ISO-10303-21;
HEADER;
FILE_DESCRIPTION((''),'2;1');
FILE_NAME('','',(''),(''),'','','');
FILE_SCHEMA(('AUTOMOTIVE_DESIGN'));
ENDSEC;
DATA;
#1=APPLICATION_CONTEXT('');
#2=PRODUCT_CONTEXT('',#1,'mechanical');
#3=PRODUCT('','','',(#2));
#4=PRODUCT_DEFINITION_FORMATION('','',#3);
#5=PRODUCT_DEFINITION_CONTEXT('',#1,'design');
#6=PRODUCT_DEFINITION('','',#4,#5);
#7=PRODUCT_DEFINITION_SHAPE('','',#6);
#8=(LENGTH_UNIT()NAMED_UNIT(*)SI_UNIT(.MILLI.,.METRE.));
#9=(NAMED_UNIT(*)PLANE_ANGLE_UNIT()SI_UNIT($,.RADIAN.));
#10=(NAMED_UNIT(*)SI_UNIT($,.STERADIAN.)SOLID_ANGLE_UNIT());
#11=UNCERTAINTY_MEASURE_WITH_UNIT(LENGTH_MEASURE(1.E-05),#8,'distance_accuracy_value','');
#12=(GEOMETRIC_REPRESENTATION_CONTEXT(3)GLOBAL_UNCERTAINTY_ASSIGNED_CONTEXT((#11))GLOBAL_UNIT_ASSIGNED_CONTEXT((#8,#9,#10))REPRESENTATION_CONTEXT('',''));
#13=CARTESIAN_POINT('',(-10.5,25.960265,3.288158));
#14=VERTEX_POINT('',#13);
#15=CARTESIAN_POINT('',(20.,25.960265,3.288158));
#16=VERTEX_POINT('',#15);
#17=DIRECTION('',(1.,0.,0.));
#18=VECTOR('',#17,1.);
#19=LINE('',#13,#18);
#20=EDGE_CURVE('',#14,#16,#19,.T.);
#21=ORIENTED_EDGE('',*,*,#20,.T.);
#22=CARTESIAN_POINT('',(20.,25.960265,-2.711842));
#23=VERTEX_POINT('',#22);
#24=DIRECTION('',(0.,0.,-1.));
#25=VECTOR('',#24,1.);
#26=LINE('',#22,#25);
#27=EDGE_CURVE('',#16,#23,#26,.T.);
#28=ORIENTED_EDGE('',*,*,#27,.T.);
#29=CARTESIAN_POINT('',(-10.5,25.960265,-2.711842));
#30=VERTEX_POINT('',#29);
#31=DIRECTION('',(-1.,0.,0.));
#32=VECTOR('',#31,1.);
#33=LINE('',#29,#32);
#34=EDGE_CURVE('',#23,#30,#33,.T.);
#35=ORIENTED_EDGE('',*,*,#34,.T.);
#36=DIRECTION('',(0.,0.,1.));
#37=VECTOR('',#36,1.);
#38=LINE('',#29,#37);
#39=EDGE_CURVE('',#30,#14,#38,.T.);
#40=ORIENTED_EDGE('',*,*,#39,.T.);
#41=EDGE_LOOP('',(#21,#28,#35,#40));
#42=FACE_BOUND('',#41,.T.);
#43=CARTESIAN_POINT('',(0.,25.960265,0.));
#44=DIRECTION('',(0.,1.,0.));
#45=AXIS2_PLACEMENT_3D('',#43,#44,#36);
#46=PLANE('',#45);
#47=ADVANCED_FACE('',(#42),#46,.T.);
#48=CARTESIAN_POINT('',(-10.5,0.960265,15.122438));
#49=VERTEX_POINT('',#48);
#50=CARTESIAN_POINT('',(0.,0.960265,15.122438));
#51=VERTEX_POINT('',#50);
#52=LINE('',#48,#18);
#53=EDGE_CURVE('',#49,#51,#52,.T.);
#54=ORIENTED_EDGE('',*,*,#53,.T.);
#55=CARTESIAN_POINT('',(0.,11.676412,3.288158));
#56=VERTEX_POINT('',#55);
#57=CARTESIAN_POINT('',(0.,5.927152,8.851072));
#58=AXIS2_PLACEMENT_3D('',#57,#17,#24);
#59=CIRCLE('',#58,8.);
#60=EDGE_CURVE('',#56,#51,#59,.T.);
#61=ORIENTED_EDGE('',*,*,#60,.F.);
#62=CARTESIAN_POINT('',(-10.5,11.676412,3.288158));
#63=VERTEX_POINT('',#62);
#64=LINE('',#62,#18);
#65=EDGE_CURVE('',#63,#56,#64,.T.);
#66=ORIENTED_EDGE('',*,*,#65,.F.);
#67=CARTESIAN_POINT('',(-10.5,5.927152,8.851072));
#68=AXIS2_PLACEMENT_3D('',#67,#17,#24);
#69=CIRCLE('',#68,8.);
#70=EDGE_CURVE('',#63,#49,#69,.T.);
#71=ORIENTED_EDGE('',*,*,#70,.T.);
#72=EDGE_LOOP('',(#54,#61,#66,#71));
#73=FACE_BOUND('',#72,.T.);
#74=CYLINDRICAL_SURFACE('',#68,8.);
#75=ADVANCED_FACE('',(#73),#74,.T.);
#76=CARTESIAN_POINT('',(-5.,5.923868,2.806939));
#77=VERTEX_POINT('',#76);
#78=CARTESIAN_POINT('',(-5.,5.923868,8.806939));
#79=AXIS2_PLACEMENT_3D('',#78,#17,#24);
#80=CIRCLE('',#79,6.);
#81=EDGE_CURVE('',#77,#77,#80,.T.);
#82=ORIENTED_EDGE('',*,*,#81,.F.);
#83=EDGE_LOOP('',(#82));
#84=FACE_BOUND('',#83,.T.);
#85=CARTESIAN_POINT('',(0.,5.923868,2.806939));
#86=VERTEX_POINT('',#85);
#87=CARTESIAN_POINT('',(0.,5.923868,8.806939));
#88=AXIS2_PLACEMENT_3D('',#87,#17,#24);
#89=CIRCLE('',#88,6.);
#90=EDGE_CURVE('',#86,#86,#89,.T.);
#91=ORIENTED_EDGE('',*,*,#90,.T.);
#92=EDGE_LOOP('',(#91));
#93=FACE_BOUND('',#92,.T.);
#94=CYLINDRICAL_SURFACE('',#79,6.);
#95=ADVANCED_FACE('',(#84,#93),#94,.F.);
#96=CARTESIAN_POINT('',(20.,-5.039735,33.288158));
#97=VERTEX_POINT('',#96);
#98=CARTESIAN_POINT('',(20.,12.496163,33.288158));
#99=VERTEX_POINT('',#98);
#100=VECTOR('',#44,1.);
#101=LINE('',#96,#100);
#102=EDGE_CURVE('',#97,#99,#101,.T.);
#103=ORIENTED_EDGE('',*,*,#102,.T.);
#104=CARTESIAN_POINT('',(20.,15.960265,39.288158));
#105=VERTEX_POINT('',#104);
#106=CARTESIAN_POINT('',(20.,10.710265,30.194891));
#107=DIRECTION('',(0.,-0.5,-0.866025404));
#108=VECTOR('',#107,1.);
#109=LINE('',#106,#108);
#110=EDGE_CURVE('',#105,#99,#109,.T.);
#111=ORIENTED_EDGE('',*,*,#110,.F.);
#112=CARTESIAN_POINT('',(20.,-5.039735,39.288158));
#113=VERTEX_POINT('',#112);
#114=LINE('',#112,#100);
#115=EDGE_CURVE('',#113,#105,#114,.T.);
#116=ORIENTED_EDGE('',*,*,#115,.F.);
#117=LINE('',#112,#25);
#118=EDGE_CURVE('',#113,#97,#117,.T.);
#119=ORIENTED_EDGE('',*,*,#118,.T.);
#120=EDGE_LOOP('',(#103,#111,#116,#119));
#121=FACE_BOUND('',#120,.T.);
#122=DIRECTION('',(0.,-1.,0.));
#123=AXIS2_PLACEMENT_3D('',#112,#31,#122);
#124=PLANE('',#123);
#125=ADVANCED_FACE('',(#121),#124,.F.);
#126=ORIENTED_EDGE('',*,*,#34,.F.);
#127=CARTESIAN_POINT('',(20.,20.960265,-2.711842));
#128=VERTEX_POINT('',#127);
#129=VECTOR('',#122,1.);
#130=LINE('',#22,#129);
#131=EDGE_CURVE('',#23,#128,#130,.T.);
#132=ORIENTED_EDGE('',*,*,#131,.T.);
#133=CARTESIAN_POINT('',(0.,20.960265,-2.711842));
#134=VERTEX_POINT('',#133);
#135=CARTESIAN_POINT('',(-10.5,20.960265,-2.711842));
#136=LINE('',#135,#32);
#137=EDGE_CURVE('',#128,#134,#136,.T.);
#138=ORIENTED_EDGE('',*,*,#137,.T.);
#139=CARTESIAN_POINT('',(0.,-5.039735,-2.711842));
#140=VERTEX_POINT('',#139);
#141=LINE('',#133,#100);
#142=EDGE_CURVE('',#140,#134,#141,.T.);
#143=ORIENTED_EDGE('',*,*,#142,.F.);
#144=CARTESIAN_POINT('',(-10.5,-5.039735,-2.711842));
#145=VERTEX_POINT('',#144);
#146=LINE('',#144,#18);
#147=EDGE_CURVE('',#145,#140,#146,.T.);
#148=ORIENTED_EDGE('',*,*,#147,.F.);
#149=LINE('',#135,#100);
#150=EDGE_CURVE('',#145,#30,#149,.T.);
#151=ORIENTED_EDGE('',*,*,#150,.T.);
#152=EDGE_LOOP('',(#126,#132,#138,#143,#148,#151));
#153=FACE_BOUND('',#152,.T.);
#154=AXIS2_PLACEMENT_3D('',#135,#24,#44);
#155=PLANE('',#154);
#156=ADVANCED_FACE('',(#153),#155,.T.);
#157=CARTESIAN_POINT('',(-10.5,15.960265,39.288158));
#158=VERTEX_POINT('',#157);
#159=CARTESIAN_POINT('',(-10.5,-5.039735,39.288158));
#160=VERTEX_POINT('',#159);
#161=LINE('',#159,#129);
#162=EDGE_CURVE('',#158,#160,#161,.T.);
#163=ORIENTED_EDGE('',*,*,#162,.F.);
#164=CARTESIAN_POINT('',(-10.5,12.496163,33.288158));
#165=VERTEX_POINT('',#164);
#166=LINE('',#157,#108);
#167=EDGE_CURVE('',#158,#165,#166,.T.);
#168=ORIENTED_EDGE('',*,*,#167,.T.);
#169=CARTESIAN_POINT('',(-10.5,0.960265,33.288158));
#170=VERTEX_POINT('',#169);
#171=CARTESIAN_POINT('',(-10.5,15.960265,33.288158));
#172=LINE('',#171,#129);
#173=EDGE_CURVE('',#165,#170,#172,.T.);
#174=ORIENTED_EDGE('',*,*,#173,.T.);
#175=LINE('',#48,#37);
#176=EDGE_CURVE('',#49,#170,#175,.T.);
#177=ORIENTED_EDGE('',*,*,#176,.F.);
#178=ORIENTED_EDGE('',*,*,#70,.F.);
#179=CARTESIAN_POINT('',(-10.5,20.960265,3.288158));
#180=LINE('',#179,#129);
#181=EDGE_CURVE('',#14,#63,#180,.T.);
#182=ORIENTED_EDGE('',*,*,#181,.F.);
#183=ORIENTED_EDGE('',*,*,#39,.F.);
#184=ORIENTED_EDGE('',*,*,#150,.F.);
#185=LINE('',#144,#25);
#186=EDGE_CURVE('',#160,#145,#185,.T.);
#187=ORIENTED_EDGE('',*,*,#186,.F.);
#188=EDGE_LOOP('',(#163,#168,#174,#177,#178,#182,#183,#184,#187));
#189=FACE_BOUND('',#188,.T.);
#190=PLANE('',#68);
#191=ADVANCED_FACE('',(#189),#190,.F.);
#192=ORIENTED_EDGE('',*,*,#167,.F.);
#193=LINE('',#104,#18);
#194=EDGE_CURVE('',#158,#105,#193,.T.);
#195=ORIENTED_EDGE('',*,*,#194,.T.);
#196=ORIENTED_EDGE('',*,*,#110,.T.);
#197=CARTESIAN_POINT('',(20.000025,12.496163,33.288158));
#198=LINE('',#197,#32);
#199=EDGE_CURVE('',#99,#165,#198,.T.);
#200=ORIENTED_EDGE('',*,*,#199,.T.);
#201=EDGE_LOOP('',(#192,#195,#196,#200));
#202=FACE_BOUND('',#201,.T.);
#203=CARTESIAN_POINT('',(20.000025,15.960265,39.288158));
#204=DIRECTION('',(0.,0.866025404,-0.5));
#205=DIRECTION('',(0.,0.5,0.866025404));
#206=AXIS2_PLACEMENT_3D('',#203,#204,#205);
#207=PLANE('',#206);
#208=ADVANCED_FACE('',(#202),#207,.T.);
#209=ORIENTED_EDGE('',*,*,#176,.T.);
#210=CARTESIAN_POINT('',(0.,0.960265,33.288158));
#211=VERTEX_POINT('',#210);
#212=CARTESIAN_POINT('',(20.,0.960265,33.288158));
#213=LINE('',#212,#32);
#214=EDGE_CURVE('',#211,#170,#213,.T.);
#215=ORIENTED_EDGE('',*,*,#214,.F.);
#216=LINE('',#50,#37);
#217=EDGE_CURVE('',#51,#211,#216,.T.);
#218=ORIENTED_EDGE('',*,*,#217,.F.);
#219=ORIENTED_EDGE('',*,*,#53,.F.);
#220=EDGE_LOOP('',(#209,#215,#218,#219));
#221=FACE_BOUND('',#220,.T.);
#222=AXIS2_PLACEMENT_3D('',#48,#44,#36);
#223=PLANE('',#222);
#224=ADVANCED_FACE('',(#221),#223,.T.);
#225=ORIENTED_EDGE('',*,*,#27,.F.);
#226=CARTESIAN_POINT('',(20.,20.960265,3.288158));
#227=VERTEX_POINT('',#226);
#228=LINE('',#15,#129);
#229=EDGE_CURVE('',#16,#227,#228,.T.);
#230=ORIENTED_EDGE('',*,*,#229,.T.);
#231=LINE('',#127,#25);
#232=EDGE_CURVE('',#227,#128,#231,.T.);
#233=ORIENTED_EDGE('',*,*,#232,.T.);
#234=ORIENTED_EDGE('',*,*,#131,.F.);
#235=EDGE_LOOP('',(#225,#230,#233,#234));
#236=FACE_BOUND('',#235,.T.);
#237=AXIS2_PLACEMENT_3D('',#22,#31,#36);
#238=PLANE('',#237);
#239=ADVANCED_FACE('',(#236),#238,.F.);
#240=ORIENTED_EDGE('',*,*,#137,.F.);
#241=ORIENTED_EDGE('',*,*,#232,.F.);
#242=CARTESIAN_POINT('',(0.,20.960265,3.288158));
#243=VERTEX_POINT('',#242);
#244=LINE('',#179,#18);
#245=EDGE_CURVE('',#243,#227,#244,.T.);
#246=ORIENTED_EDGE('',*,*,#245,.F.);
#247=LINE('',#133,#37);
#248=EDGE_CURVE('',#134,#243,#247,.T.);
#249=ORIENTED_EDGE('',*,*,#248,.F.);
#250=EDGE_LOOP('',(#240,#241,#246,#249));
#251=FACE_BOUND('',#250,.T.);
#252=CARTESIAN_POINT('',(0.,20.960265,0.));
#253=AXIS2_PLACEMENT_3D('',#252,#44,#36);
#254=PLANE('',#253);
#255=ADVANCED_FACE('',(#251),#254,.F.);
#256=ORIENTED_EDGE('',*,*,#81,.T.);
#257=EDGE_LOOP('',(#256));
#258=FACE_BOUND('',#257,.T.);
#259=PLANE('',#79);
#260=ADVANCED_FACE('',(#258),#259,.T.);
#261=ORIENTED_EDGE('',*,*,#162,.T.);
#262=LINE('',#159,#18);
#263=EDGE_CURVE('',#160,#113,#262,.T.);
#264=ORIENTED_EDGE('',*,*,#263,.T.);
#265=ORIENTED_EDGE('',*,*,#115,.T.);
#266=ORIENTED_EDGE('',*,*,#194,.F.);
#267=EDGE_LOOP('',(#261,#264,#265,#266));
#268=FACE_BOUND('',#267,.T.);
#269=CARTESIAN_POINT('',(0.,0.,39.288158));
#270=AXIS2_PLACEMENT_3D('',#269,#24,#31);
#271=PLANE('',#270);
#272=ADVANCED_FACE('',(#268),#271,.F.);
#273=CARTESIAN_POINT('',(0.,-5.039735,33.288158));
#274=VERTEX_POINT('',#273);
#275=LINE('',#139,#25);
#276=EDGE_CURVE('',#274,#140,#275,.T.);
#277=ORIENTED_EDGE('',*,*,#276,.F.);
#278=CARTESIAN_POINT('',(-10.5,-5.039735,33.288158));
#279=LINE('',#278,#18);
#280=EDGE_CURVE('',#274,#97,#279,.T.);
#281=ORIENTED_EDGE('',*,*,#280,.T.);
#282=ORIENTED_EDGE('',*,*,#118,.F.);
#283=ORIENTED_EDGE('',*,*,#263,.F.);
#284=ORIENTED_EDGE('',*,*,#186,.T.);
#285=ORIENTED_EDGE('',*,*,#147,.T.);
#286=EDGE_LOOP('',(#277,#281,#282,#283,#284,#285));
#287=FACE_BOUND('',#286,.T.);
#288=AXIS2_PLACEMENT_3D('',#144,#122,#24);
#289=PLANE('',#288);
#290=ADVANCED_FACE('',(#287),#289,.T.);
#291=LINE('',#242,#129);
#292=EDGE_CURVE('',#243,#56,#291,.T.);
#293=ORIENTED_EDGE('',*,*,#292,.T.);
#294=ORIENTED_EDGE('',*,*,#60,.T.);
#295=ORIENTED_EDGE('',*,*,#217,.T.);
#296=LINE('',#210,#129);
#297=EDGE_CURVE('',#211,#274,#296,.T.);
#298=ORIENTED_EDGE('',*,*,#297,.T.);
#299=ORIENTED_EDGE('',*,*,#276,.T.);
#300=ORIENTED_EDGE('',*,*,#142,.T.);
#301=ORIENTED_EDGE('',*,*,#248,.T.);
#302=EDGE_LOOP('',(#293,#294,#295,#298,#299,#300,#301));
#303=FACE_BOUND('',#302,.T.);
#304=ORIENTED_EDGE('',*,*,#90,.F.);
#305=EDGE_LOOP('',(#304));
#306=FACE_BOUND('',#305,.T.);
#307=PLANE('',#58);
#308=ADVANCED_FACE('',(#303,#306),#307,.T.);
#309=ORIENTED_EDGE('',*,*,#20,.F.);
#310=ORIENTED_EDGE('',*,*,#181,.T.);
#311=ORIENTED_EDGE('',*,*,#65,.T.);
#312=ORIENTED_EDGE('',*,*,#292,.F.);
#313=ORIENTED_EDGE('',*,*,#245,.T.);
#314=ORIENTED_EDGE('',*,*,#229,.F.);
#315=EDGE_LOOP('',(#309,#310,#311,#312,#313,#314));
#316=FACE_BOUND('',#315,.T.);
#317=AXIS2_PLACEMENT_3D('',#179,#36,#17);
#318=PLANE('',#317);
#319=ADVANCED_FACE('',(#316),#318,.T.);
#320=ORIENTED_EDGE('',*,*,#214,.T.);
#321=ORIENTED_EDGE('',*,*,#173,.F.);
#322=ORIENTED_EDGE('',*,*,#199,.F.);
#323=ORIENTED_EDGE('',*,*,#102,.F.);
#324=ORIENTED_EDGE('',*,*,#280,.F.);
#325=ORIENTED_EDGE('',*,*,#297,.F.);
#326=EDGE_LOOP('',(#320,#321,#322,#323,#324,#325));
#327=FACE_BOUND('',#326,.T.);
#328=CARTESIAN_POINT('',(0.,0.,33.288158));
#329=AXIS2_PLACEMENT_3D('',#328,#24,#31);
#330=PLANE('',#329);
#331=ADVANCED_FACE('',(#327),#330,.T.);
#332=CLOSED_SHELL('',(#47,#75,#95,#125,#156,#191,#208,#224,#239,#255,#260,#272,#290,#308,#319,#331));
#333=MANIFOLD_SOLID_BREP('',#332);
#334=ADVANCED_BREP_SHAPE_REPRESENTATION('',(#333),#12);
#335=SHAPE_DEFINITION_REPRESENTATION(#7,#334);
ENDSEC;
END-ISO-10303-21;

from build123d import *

# Parameters (mm, degrees)
BOSS_EXTRUDE1_DEPTH = 10.5
SKETCH4_W           = 30.5
SKETCH4_H           = 6
BOSS_EXTRUDE2_DEPTH = 5
SKETCH5_W           = 30.5
SKETCH5_H           = 6
BOSS_EXTRUDE3_DEPTH = 6
SKETCH6_R           = 6
CUT_EXTRUDE2_DEPTH  = 5
SKETCH11_W          = 30.5
SKETCH11_H          = 6
BOSS_EXTRUDE5_DEPTH = 15
CUT_EXTRUDE4_DEPTH  = 31.5


with BuildPart() as part:
    # Sketch2 → Boss-Extrude1 (new body)
    with BuildSketch(Plane(origin=(0, 0, 0), x_dir=(0, 0, -1), z_dir=(1, 0, 0))):
        with BuildLine():
            Line((2.711841856, 20.960264901), (-3.288158144, 20.960264901))
            Line((-3.288158144, 20.960264901), (-3.288158144, 11.676412171))
            ThreePointArc((-3.288158144, 11.676412171), (-14.220841983, 11.857208885), (-15.122437882, 0.960264901))
            Line((-15.122437882, 0.960264901), (-33.288158144, 0.960264901))
            Line((-33.288158144, 0.960264901), (-33.288158144, -5.039735099))
            Line((-33.288158144, -5.039735099), (2.711841856, -5.039735099))
            Line((2.711841856, -5.039735099), (2.711841856, 20.960264901))
        make_face()
    extrude(amount=-BOSS_EXTRUDE1_DEPTH)

    # Sketch4 → Boss-Extrude2 (add)
    with BuildSketch(Plane(origin=(0, 20.960264901, 0), x_dir=(1, 0, 0), z_dir=(0, 1, 0))):
        with Locations((4.75, -0.288158144)):
            Rectangle(SKETCH4_W, SKETCH4_H)
    extrude(amount=BOSS_EXTRUDE2_DEPTH)

    # Sketch5 → Boss-Extrude3 (add)
    with BuildSketch(Plane.XY.offset(33.288158144)):
        with Locations((4.75, -2.039735099)):
            Rectangle(SKETCH5_W, SKETCH5_H)
    extrude(amount=BOSS_EXTRUDE3_DEPTH)

    # Sketch6 → Cut-Extrude2 (cut)
    with BuildSketch(Plane(origin=(0, 0, 0), x_dir=(0, 0, -1), z_dir=(1, 0, 0))):
        with Locations((-8.806939463, 5.923867659)):
            Circle(SKETCH6_R)
    extrude(amount=-CUT_EXTRUDE2_DEPTH, mode=Mode.SUBTRACT)

    # Sketch11 → Boss-Extrude5 (add)
    with BuildSketch(Plane(origin=(0, 0.960264901, 0), x_dir=(1, 0, 0), z_dir=(0, 1, 0))):
        with Locations((4.75, -36.288158144)):
            Rectangle(SKETCH11_W, SKETCH11_H)
    extrude(amount=BOSS_EXTRUDE5_DEPTH)

    # Sketch12 → Cut-Extrude4 (cut, through all)
    with BuildSketch(Plane.ZY.offset(10.5)):
        Polygon((33.288158144, 15.960264901), (39.288158144, 15.960264901), (33.288158144, 12.496163286), align=None)
    extrude(amount=-CUT_EXTRUDE4_DEPTH, mode=Mode.SUBTRACT)


solid = part.part
